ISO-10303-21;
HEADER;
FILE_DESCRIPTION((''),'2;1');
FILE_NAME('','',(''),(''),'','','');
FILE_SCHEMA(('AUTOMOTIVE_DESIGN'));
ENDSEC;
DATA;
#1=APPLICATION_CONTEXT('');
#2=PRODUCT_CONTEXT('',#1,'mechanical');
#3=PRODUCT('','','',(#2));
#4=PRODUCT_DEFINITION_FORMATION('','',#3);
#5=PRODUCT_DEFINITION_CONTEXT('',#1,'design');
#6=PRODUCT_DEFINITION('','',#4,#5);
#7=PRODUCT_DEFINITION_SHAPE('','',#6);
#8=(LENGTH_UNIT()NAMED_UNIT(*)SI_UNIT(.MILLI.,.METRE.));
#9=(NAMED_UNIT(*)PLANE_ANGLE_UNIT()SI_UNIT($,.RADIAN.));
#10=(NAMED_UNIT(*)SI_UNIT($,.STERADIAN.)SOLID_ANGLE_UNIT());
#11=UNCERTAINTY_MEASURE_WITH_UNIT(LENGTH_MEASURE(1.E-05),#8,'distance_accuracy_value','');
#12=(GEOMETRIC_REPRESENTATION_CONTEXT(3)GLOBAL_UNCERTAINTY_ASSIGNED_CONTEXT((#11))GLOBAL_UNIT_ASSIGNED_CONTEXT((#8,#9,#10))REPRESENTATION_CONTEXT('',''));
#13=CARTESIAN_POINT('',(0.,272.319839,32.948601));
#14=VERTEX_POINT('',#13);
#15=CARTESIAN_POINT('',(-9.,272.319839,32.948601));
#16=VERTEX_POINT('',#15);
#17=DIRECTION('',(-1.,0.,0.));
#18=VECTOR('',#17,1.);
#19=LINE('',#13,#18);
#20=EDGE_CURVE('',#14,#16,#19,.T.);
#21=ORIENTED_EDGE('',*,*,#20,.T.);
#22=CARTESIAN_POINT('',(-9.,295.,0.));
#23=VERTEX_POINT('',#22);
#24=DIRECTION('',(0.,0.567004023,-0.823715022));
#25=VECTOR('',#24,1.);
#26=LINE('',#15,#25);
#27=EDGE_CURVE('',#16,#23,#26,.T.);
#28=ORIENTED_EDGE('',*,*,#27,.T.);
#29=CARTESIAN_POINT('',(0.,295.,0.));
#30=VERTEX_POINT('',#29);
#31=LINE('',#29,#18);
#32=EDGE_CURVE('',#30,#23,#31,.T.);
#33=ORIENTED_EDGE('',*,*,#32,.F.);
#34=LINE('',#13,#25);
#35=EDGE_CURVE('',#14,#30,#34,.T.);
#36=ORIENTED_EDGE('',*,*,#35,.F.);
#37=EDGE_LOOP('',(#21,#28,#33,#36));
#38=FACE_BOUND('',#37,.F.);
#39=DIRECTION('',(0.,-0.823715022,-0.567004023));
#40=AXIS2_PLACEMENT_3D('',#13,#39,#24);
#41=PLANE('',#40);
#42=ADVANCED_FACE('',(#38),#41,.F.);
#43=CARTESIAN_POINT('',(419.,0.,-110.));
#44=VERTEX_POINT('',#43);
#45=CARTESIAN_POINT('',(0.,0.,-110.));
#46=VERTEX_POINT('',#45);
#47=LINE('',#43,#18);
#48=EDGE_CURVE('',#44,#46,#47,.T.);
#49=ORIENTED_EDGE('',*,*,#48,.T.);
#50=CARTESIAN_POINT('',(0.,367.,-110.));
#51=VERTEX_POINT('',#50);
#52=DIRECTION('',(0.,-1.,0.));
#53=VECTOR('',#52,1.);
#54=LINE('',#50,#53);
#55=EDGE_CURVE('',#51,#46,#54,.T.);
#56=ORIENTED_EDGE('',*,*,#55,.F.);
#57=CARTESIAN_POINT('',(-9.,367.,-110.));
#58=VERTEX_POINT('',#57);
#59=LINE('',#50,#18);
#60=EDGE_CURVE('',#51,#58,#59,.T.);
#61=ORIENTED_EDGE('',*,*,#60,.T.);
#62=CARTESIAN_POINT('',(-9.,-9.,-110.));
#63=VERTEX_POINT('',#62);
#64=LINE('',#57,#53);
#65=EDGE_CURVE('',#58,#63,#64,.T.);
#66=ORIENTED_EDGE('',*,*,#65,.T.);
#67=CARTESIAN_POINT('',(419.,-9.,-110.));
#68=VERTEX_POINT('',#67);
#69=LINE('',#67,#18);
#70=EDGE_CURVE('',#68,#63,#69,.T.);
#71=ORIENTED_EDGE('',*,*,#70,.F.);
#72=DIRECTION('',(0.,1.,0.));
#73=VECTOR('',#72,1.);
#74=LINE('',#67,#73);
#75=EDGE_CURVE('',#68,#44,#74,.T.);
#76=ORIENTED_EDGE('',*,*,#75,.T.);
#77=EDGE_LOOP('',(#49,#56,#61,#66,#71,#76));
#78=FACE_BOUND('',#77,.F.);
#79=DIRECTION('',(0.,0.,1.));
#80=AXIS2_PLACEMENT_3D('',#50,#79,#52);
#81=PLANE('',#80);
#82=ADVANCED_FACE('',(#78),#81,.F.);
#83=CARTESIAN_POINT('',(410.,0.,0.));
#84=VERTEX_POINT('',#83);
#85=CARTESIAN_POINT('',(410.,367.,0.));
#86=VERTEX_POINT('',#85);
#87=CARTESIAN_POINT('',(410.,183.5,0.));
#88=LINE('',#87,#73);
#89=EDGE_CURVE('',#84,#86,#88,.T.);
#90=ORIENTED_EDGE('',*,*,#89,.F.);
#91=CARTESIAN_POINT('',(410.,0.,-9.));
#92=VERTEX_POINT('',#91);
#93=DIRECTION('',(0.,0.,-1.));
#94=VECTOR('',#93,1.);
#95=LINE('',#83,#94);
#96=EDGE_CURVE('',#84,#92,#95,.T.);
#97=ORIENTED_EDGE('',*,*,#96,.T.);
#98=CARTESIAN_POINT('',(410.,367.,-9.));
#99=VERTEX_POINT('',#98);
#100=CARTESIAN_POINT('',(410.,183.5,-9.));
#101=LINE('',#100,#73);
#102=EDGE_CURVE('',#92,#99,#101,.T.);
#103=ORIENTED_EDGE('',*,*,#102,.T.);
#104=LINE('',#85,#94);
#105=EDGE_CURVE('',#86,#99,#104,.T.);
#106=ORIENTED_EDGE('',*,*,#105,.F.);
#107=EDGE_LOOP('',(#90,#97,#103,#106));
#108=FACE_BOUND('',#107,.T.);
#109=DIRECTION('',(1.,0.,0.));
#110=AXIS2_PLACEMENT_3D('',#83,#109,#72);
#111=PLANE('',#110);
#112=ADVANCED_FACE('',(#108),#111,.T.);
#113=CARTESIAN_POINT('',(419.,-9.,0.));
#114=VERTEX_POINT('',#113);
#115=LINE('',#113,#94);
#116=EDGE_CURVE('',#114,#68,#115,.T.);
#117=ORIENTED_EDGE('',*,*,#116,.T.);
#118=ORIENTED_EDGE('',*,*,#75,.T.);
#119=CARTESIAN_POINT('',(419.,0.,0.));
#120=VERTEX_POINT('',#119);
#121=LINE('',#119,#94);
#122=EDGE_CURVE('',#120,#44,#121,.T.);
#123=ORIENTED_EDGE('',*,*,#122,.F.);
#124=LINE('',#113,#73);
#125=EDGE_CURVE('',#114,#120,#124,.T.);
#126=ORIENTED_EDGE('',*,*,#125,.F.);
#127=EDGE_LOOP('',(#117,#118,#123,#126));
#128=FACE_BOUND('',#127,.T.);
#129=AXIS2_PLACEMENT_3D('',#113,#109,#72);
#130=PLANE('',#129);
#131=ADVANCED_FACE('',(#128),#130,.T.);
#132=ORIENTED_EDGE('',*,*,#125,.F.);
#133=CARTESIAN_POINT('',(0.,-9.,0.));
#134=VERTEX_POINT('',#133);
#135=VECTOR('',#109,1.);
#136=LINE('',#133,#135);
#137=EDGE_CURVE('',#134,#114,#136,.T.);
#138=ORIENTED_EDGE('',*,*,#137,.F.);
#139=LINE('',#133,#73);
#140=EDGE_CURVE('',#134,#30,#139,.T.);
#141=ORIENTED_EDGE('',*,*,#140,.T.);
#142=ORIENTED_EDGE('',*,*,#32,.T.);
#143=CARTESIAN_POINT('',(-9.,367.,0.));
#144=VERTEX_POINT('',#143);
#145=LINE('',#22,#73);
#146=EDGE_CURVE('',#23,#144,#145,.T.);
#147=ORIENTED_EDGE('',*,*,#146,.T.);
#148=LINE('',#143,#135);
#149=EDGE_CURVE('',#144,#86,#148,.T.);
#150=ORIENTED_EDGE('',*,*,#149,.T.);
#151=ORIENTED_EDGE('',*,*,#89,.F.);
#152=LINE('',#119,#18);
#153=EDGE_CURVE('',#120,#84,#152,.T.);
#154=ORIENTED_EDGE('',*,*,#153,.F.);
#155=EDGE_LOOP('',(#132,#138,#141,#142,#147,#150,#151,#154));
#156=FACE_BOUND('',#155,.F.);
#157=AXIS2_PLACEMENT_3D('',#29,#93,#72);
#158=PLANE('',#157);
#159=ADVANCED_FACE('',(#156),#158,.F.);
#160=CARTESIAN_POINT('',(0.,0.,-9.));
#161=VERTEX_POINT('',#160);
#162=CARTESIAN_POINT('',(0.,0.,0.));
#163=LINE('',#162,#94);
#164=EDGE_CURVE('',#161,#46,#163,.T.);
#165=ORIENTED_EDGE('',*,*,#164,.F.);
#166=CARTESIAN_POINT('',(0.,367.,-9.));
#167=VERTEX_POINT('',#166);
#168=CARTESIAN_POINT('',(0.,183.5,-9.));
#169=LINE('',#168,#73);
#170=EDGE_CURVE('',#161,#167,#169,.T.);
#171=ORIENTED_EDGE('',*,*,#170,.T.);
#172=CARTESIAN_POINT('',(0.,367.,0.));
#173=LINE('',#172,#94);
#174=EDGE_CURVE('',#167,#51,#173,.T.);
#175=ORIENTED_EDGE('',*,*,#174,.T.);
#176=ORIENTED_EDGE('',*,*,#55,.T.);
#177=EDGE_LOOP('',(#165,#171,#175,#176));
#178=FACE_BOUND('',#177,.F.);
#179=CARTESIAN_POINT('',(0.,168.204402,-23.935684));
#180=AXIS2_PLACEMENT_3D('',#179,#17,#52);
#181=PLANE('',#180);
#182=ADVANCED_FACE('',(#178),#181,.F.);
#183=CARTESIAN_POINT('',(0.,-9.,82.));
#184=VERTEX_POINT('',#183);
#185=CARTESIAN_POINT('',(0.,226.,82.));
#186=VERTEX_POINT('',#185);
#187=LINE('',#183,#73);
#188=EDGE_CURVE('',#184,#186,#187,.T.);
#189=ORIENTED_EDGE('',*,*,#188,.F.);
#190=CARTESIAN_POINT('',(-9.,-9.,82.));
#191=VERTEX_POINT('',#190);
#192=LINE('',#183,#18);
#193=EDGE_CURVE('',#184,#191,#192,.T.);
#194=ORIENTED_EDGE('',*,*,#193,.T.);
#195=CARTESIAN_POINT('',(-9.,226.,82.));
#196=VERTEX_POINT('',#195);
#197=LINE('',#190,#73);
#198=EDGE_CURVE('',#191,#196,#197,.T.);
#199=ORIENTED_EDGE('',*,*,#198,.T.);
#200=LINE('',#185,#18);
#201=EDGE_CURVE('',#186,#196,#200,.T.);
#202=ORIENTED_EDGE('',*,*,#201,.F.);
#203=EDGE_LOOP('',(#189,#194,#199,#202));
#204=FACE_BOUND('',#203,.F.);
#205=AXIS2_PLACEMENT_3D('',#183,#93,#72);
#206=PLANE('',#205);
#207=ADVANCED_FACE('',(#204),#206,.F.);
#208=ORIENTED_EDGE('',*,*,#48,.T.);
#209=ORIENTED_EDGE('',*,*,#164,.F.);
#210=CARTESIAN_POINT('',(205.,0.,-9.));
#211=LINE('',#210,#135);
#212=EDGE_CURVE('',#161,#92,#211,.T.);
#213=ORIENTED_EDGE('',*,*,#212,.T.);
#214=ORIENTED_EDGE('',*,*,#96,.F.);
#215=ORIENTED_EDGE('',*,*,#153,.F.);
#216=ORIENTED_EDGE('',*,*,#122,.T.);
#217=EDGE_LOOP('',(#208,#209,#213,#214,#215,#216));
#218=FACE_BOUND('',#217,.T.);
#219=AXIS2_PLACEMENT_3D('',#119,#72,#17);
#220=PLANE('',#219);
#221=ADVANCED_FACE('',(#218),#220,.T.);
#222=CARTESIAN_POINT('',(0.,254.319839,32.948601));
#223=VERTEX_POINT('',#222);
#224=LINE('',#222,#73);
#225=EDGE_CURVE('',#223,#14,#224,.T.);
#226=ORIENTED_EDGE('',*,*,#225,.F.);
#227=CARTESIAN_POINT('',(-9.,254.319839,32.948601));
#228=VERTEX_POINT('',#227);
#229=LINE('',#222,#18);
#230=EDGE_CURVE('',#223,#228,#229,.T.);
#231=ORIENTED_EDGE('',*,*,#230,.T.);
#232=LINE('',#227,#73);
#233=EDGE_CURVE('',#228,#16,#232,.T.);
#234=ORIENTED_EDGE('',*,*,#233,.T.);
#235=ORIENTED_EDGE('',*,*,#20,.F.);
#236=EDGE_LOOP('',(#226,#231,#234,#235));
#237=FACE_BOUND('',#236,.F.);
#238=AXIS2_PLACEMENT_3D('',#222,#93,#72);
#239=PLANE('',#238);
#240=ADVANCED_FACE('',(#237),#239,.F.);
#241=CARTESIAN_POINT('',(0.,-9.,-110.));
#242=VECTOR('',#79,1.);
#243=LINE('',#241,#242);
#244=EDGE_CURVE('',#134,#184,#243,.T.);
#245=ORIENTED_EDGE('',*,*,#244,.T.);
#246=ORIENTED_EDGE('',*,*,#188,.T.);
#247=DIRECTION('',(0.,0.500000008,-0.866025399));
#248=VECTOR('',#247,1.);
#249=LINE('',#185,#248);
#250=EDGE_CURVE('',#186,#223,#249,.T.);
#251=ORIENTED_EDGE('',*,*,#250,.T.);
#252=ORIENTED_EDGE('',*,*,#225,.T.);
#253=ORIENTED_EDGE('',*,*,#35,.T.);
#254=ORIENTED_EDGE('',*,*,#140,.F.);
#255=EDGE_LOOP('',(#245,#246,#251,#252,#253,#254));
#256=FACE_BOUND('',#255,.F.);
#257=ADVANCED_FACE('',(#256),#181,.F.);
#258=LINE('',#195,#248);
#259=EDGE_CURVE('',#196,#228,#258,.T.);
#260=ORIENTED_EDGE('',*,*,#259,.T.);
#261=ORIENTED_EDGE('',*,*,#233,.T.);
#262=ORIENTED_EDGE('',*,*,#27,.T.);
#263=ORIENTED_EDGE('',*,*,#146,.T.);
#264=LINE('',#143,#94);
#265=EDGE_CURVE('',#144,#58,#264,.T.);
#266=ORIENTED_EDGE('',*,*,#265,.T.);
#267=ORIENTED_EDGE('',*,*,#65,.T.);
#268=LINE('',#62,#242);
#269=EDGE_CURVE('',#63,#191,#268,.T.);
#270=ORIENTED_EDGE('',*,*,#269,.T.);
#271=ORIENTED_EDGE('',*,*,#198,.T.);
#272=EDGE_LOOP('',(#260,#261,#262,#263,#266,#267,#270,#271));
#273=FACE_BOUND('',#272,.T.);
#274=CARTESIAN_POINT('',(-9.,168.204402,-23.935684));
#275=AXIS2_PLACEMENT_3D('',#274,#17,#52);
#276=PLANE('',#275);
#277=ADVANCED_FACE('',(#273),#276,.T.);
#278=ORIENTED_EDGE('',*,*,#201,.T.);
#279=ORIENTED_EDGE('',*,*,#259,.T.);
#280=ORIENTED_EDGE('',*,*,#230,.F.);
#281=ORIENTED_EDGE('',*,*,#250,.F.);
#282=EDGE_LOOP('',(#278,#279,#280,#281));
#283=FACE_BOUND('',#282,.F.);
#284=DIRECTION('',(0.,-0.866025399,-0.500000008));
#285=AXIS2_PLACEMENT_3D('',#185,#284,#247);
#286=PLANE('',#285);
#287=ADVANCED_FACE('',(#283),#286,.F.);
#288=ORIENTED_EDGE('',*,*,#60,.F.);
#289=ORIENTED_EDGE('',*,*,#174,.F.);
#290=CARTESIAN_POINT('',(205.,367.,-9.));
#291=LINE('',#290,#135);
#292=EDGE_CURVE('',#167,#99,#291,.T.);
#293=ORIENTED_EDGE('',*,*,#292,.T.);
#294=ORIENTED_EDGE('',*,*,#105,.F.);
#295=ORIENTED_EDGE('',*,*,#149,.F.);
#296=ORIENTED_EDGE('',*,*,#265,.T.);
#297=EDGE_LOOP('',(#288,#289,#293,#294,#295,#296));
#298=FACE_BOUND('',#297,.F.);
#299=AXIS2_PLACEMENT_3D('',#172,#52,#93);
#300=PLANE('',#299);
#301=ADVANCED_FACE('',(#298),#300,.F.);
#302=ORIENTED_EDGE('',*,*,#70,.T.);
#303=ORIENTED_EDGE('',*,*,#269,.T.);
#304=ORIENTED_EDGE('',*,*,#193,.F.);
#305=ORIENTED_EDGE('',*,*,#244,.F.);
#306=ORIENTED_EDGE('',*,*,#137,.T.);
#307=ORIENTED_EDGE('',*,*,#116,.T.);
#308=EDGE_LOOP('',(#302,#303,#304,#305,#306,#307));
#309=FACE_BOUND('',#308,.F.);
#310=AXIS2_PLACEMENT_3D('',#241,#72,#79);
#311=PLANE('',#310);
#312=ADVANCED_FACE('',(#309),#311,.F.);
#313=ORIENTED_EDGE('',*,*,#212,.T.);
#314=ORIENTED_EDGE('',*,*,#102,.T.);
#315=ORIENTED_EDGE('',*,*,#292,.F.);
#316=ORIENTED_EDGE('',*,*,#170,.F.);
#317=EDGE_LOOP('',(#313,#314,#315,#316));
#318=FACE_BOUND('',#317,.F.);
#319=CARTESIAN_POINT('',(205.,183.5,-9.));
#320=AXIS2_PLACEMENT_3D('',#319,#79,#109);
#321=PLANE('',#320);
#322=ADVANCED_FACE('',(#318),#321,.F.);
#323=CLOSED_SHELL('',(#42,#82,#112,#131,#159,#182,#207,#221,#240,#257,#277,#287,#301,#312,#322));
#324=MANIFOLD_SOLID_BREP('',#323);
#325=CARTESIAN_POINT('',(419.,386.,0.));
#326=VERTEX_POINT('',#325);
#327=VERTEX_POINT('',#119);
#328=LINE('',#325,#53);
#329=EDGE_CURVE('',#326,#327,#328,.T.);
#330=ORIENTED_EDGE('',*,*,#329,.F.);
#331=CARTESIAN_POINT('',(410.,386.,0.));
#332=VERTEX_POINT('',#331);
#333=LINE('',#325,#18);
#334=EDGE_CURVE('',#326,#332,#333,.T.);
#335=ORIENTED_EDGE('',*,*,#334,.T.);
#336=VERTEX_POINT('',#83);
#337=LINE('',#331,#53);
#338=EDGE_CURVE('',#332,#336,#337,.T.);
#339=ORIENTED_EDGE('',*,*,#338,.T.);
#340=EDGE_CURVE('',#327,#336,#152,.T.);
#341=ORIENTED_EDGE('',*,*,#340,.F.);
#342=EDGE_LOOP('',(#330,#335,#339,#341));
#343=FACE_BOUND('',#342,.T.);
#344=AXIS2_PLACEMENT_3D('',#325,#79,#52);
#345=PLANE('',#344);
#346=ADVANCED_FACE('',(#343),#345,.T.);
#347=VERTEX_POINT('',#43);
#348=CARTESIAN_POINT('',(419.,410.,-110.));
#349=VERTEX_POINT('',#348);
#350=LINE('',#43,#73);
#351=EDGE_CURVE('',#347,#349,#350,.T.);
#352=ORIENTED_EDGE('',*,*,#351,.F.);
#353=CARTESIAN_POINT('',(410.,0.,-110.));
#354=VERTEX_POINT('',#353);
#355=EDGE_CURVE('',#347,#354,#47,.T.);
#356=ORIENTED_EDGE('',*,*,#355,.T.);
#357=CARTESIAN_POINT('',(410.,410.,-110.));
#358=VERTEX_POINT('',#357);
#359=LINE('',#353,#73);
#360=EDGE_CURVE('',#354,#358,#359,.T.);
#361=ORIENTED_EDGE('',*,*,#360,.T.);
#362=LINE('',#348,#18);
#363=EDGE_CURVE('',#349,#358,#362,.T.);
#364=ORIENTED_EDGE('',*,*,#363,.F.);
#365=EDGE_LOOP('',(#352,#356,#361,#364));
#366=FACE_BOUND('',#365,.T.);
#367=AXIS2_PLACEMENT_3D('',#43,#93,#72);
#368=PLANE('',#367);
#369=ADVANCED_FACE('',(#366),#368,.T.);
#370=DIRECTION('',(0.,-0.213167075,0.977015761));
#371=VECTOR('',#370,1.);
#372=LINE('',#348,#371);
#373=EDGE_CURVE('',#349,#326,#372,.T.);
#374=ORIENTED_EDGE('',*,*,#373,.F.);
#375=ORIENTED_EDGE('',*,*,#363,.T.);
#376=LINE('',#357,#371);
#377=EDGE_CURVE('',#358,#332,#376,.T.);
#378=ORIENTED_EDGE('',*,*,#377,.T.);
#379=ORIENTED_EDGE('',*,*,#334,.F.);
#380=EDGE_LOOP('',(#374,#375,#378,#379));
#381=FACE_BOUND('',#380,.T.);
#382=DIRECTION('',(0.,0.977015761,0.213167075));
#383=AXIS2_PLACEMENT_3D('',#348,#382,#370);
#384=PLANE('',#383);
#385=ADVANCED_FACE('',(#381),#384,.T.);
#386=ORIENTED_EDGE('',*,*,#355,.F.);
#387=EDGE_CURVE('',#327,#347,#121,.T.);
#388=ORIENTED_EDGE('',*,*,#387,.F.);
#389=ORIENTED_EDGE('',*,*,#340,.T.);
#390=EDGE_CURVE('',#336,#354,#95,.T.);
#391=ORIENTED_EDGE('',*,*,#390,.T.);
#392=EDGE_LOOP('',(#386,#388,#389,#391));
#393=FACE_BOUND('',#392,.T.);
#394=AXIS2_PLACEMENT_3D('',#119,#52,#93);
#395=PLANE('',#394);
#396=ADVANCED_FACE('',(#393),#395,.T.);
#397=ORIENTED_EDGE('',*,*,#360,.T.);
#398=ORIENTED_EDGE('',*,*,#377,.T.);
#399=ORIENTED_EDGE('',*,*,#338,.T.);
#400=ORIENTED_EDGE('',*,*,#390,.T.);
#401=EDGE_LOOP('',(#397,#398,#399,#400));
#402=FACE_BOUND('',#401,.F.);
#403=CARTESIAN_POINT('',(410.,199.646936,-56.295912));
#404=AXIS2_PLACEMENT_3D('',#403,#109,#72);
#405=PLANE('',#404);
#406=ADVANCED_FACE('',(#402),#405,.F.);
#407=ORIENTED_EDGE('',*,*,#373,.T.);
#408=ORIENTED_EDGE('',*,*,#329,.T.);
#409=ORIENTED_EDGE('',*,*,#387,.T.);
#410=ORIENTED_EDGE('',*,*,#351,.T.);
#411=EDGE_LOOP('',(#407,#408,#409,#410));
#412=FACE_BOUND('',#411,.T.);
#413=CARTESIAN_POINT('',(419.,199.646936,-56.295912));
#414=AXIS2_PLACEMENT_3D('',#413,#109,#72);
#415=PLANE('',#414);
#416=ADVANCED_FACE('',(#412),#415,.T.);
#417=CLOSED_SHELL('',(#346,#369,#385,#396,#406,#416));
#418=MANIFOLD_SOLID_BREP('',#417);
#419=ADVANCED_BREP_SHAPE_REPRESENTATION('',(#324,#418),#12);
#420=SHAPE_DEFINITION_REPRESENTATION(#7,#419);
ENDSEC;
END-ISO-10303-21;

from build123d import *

# Parameters (mm, degrees)
F0_W     = 410
F0_H     = 367
F1_DEPTH = 9
F2_DEPTH = 110
F4_DEPTH = 9
F6_DEPTH = 9


with BuildPart() as f1:
    # F0 (on Top) → F1 (new body)
    with BuildSketch(Plane.XY):
        with Locations((205, 183.5)):
            Rectangle(F0_W, F0_H)
    extrude(amount=-F1_DEPTH)

    # F0 (on Top) → F2 (join)
    with BuildSketch(Plane.XY):
        Polygon((410, 0), (0, 0), (0, -9), (419, -9), (419, 0), align=None)
    extrude(amount=-F2_DEPTH)

    # F5 (on face) → F6 (join)
    with BuildSketch(Plane(origin=(0, 0, 0), x_dir=(0, -1, 0), z_dir=(-1, 0, 0))):
        Polygon((-367, -110), (9, -110), (9, 82), (-226, 82), (-254.319839, 32.948601), (-272.319839, 32.948601), (-295, 0), (-367, 0), align=None)
    extrude(amount=F6_DEPTH)


with BuildPart() as f4:
    # F3 (on face) → F4 (new body)
    with BuildSketch(Plane.YZ.offset(419)):
        Polygon((386, 0), (0, 0), (0, -110), (410, -110), align=None)
    extrude(amount=-F4_DEPTH)


solid = Compound([f1.part, f4.part])
